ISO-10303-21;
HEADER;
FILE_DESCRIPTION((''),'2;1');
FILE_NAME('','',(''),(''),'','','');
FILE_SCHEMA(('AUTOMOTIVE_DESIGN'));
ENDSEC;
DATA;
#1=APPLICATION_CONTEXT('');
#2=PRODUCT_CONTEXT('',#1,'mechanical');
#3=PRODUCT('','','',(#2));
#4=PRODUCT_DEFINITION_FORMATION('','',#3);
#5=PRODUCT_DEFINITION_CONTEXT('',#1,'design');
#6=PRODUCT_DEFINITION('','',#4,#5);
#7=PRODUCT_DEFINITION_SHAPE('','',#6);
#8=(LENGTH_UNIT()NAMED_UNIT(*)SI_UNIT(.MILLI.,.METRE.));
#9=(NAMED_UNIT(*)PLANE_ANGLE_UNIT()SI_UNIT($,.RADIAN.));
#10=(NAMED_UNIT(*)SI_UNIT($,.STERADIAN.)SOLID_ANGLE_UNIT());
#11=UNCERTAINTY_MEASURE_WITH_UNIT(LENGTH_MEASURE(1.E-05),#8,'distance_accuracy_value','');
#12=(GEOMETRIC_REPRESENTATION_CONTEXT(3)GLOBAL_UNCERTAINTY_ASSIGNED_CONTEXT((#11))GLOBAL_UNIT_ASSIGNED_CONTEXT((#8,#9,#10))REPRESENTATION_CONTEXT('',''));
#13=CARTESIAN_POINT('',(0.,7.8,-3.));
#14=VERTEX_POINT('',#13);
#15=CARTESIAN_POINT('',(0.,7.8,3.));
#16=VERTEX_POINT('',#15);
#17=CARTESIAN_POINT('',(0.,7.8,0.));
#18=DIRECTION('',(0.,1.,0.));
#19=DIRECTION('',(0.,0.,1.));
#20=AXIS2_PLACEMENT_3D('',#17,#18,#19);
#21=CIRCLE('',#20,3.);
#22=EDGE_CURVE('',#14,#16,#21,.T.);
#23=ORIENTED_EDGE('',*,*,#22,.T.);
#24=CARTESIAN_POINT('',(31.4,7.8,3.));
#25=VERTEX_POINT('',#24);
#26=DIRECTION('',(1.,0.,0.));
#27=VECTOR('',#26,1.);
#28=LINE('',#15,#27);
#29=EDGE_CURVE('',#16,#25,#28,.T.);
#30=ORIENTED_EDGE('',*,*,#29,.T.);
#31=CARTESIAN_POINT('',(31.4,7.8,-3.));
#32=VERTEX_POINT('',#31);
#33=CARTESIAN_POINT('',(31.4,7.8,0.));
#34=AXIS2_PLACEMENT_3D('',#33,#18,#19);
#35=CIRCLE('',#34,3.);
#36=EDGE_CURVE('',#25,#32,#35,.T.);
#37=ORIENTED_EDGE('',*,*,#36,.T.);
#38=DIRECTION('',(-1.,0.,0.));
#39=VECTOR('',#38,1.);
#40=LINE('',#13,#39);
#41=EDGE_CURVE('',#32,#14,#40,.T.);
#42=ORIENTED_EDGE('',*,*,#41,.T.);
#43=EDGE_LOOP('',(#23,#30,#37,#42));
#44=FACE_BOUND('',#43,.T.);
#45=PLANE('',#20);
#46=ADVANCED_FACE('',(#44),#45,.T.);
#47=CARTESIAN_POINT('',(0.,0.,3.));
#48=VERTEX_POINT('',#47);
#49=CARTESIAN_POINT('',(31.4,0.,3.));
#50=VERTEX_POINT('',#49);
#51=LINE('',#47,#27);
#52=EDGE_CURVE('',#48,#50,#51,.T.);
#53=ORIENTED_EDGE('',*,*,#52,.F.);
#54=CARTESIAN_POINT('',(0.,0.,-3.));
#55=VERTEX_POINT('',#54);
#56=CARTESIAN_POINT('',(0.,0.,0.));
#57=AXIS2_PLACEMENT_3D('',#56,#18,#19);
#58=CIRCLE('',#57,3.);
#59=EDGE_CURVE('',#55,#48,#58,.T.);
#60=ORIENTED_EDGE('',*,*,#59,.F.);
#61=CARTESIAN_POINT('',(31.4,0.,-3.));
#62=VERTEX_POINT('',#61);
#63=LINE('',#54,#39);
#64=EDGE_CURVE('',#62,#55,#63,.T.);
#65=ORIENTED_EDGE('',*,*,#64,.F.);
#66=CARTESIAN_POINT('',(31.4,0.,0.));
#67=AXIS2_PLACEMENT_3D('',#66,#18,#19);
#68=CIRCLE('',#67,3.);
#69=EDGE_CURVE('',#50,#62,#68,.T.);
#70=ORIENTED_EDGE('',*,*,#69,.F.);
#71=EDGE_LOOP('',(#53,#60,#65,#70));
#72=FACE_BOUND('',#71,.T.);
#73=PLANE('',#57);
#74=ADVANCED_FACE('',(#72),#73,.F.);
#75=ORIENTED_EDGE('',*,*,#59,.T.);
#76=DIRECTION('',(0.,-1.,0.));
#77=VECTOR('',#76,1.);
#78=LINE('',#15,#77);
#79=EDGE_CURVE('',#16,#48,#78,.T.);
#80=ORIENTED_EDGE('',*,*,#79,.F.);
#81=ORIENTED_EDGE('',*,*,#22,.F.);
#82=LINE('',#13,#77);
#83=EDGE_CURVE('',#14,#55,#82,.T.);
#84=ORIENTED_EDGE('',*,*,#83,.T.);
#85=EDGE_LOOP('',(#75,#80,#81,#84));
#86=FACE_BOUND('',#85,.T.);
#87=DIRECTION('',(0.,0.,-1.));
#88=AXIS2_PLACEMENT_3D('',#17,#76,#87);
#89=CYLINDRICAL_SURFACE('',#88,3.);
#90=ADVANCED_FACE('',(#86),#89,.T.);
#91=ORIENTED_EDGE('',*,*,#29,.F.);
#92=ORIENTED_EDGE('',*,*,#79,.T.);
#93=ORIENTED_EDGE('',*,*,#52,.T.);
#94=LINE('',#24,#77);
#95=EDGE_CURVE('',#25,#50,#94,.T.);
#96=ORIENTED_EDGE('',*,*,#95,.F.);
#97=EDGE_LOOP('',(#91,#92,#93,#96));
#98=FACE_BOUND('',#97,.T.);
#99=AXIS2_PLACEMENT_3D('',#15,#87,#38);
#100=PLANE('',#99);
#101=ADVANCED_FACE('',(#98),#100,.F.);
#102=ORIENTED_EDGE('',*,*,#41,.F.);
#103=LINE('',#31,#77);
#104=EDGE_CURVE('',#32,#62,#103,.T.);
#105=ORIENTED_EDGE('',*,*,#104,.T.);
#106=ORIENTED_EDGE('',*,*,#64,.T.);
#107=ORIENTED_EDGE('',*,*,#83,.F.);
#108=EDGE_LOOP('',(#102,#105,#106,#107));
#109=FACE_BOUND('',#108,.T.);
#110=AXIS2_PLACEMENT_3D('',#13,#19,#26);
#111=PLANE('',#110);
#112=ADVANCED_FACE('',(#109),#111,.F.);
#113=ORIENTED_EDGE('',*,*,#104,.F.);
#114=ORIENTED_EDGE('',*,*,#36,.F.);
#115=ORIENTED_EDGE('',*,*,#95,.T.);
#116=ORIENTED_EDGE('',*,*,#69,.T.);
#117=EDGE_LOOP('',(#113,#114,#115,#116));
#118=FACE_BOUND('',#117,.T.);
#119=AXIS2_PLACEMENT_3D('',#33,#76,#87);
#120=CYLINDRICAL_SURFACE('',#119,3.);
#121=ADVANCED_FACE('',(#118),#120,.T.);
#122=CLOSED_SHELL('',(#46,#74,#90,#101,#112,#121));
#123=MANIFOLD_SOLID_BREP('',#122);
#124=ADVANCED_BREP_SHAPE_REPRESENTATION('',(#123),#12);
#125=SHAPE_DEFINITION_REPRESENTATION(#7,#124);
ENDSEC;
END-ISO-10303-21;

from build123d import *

# Parameters (mm, degrees)
BOSS_EXTRUDE1_DEPTH = 7.8


with BuildPart() as part:
    # Sketch1 → Boss-Extrude1 (new body)
    with BuildSketch(Plane(origin=(0, 0, 0), x_dir=(1, 0, 0), z_dir=(0, 1, 0))):
        with BuildLine():
            Line((0, 3), (31.4, 3))
            ThreePointArc((31.4, 3), (34.4, 0), (31.4, -3))
            Line((31.4, -3), (0, -3))
            ThreePointArc((0, -3), (-3, 0), (0, 3))
        make_face()
    extrude(amount=BOSS_EXTRUDE1_DEPTH)


solid = part.part
